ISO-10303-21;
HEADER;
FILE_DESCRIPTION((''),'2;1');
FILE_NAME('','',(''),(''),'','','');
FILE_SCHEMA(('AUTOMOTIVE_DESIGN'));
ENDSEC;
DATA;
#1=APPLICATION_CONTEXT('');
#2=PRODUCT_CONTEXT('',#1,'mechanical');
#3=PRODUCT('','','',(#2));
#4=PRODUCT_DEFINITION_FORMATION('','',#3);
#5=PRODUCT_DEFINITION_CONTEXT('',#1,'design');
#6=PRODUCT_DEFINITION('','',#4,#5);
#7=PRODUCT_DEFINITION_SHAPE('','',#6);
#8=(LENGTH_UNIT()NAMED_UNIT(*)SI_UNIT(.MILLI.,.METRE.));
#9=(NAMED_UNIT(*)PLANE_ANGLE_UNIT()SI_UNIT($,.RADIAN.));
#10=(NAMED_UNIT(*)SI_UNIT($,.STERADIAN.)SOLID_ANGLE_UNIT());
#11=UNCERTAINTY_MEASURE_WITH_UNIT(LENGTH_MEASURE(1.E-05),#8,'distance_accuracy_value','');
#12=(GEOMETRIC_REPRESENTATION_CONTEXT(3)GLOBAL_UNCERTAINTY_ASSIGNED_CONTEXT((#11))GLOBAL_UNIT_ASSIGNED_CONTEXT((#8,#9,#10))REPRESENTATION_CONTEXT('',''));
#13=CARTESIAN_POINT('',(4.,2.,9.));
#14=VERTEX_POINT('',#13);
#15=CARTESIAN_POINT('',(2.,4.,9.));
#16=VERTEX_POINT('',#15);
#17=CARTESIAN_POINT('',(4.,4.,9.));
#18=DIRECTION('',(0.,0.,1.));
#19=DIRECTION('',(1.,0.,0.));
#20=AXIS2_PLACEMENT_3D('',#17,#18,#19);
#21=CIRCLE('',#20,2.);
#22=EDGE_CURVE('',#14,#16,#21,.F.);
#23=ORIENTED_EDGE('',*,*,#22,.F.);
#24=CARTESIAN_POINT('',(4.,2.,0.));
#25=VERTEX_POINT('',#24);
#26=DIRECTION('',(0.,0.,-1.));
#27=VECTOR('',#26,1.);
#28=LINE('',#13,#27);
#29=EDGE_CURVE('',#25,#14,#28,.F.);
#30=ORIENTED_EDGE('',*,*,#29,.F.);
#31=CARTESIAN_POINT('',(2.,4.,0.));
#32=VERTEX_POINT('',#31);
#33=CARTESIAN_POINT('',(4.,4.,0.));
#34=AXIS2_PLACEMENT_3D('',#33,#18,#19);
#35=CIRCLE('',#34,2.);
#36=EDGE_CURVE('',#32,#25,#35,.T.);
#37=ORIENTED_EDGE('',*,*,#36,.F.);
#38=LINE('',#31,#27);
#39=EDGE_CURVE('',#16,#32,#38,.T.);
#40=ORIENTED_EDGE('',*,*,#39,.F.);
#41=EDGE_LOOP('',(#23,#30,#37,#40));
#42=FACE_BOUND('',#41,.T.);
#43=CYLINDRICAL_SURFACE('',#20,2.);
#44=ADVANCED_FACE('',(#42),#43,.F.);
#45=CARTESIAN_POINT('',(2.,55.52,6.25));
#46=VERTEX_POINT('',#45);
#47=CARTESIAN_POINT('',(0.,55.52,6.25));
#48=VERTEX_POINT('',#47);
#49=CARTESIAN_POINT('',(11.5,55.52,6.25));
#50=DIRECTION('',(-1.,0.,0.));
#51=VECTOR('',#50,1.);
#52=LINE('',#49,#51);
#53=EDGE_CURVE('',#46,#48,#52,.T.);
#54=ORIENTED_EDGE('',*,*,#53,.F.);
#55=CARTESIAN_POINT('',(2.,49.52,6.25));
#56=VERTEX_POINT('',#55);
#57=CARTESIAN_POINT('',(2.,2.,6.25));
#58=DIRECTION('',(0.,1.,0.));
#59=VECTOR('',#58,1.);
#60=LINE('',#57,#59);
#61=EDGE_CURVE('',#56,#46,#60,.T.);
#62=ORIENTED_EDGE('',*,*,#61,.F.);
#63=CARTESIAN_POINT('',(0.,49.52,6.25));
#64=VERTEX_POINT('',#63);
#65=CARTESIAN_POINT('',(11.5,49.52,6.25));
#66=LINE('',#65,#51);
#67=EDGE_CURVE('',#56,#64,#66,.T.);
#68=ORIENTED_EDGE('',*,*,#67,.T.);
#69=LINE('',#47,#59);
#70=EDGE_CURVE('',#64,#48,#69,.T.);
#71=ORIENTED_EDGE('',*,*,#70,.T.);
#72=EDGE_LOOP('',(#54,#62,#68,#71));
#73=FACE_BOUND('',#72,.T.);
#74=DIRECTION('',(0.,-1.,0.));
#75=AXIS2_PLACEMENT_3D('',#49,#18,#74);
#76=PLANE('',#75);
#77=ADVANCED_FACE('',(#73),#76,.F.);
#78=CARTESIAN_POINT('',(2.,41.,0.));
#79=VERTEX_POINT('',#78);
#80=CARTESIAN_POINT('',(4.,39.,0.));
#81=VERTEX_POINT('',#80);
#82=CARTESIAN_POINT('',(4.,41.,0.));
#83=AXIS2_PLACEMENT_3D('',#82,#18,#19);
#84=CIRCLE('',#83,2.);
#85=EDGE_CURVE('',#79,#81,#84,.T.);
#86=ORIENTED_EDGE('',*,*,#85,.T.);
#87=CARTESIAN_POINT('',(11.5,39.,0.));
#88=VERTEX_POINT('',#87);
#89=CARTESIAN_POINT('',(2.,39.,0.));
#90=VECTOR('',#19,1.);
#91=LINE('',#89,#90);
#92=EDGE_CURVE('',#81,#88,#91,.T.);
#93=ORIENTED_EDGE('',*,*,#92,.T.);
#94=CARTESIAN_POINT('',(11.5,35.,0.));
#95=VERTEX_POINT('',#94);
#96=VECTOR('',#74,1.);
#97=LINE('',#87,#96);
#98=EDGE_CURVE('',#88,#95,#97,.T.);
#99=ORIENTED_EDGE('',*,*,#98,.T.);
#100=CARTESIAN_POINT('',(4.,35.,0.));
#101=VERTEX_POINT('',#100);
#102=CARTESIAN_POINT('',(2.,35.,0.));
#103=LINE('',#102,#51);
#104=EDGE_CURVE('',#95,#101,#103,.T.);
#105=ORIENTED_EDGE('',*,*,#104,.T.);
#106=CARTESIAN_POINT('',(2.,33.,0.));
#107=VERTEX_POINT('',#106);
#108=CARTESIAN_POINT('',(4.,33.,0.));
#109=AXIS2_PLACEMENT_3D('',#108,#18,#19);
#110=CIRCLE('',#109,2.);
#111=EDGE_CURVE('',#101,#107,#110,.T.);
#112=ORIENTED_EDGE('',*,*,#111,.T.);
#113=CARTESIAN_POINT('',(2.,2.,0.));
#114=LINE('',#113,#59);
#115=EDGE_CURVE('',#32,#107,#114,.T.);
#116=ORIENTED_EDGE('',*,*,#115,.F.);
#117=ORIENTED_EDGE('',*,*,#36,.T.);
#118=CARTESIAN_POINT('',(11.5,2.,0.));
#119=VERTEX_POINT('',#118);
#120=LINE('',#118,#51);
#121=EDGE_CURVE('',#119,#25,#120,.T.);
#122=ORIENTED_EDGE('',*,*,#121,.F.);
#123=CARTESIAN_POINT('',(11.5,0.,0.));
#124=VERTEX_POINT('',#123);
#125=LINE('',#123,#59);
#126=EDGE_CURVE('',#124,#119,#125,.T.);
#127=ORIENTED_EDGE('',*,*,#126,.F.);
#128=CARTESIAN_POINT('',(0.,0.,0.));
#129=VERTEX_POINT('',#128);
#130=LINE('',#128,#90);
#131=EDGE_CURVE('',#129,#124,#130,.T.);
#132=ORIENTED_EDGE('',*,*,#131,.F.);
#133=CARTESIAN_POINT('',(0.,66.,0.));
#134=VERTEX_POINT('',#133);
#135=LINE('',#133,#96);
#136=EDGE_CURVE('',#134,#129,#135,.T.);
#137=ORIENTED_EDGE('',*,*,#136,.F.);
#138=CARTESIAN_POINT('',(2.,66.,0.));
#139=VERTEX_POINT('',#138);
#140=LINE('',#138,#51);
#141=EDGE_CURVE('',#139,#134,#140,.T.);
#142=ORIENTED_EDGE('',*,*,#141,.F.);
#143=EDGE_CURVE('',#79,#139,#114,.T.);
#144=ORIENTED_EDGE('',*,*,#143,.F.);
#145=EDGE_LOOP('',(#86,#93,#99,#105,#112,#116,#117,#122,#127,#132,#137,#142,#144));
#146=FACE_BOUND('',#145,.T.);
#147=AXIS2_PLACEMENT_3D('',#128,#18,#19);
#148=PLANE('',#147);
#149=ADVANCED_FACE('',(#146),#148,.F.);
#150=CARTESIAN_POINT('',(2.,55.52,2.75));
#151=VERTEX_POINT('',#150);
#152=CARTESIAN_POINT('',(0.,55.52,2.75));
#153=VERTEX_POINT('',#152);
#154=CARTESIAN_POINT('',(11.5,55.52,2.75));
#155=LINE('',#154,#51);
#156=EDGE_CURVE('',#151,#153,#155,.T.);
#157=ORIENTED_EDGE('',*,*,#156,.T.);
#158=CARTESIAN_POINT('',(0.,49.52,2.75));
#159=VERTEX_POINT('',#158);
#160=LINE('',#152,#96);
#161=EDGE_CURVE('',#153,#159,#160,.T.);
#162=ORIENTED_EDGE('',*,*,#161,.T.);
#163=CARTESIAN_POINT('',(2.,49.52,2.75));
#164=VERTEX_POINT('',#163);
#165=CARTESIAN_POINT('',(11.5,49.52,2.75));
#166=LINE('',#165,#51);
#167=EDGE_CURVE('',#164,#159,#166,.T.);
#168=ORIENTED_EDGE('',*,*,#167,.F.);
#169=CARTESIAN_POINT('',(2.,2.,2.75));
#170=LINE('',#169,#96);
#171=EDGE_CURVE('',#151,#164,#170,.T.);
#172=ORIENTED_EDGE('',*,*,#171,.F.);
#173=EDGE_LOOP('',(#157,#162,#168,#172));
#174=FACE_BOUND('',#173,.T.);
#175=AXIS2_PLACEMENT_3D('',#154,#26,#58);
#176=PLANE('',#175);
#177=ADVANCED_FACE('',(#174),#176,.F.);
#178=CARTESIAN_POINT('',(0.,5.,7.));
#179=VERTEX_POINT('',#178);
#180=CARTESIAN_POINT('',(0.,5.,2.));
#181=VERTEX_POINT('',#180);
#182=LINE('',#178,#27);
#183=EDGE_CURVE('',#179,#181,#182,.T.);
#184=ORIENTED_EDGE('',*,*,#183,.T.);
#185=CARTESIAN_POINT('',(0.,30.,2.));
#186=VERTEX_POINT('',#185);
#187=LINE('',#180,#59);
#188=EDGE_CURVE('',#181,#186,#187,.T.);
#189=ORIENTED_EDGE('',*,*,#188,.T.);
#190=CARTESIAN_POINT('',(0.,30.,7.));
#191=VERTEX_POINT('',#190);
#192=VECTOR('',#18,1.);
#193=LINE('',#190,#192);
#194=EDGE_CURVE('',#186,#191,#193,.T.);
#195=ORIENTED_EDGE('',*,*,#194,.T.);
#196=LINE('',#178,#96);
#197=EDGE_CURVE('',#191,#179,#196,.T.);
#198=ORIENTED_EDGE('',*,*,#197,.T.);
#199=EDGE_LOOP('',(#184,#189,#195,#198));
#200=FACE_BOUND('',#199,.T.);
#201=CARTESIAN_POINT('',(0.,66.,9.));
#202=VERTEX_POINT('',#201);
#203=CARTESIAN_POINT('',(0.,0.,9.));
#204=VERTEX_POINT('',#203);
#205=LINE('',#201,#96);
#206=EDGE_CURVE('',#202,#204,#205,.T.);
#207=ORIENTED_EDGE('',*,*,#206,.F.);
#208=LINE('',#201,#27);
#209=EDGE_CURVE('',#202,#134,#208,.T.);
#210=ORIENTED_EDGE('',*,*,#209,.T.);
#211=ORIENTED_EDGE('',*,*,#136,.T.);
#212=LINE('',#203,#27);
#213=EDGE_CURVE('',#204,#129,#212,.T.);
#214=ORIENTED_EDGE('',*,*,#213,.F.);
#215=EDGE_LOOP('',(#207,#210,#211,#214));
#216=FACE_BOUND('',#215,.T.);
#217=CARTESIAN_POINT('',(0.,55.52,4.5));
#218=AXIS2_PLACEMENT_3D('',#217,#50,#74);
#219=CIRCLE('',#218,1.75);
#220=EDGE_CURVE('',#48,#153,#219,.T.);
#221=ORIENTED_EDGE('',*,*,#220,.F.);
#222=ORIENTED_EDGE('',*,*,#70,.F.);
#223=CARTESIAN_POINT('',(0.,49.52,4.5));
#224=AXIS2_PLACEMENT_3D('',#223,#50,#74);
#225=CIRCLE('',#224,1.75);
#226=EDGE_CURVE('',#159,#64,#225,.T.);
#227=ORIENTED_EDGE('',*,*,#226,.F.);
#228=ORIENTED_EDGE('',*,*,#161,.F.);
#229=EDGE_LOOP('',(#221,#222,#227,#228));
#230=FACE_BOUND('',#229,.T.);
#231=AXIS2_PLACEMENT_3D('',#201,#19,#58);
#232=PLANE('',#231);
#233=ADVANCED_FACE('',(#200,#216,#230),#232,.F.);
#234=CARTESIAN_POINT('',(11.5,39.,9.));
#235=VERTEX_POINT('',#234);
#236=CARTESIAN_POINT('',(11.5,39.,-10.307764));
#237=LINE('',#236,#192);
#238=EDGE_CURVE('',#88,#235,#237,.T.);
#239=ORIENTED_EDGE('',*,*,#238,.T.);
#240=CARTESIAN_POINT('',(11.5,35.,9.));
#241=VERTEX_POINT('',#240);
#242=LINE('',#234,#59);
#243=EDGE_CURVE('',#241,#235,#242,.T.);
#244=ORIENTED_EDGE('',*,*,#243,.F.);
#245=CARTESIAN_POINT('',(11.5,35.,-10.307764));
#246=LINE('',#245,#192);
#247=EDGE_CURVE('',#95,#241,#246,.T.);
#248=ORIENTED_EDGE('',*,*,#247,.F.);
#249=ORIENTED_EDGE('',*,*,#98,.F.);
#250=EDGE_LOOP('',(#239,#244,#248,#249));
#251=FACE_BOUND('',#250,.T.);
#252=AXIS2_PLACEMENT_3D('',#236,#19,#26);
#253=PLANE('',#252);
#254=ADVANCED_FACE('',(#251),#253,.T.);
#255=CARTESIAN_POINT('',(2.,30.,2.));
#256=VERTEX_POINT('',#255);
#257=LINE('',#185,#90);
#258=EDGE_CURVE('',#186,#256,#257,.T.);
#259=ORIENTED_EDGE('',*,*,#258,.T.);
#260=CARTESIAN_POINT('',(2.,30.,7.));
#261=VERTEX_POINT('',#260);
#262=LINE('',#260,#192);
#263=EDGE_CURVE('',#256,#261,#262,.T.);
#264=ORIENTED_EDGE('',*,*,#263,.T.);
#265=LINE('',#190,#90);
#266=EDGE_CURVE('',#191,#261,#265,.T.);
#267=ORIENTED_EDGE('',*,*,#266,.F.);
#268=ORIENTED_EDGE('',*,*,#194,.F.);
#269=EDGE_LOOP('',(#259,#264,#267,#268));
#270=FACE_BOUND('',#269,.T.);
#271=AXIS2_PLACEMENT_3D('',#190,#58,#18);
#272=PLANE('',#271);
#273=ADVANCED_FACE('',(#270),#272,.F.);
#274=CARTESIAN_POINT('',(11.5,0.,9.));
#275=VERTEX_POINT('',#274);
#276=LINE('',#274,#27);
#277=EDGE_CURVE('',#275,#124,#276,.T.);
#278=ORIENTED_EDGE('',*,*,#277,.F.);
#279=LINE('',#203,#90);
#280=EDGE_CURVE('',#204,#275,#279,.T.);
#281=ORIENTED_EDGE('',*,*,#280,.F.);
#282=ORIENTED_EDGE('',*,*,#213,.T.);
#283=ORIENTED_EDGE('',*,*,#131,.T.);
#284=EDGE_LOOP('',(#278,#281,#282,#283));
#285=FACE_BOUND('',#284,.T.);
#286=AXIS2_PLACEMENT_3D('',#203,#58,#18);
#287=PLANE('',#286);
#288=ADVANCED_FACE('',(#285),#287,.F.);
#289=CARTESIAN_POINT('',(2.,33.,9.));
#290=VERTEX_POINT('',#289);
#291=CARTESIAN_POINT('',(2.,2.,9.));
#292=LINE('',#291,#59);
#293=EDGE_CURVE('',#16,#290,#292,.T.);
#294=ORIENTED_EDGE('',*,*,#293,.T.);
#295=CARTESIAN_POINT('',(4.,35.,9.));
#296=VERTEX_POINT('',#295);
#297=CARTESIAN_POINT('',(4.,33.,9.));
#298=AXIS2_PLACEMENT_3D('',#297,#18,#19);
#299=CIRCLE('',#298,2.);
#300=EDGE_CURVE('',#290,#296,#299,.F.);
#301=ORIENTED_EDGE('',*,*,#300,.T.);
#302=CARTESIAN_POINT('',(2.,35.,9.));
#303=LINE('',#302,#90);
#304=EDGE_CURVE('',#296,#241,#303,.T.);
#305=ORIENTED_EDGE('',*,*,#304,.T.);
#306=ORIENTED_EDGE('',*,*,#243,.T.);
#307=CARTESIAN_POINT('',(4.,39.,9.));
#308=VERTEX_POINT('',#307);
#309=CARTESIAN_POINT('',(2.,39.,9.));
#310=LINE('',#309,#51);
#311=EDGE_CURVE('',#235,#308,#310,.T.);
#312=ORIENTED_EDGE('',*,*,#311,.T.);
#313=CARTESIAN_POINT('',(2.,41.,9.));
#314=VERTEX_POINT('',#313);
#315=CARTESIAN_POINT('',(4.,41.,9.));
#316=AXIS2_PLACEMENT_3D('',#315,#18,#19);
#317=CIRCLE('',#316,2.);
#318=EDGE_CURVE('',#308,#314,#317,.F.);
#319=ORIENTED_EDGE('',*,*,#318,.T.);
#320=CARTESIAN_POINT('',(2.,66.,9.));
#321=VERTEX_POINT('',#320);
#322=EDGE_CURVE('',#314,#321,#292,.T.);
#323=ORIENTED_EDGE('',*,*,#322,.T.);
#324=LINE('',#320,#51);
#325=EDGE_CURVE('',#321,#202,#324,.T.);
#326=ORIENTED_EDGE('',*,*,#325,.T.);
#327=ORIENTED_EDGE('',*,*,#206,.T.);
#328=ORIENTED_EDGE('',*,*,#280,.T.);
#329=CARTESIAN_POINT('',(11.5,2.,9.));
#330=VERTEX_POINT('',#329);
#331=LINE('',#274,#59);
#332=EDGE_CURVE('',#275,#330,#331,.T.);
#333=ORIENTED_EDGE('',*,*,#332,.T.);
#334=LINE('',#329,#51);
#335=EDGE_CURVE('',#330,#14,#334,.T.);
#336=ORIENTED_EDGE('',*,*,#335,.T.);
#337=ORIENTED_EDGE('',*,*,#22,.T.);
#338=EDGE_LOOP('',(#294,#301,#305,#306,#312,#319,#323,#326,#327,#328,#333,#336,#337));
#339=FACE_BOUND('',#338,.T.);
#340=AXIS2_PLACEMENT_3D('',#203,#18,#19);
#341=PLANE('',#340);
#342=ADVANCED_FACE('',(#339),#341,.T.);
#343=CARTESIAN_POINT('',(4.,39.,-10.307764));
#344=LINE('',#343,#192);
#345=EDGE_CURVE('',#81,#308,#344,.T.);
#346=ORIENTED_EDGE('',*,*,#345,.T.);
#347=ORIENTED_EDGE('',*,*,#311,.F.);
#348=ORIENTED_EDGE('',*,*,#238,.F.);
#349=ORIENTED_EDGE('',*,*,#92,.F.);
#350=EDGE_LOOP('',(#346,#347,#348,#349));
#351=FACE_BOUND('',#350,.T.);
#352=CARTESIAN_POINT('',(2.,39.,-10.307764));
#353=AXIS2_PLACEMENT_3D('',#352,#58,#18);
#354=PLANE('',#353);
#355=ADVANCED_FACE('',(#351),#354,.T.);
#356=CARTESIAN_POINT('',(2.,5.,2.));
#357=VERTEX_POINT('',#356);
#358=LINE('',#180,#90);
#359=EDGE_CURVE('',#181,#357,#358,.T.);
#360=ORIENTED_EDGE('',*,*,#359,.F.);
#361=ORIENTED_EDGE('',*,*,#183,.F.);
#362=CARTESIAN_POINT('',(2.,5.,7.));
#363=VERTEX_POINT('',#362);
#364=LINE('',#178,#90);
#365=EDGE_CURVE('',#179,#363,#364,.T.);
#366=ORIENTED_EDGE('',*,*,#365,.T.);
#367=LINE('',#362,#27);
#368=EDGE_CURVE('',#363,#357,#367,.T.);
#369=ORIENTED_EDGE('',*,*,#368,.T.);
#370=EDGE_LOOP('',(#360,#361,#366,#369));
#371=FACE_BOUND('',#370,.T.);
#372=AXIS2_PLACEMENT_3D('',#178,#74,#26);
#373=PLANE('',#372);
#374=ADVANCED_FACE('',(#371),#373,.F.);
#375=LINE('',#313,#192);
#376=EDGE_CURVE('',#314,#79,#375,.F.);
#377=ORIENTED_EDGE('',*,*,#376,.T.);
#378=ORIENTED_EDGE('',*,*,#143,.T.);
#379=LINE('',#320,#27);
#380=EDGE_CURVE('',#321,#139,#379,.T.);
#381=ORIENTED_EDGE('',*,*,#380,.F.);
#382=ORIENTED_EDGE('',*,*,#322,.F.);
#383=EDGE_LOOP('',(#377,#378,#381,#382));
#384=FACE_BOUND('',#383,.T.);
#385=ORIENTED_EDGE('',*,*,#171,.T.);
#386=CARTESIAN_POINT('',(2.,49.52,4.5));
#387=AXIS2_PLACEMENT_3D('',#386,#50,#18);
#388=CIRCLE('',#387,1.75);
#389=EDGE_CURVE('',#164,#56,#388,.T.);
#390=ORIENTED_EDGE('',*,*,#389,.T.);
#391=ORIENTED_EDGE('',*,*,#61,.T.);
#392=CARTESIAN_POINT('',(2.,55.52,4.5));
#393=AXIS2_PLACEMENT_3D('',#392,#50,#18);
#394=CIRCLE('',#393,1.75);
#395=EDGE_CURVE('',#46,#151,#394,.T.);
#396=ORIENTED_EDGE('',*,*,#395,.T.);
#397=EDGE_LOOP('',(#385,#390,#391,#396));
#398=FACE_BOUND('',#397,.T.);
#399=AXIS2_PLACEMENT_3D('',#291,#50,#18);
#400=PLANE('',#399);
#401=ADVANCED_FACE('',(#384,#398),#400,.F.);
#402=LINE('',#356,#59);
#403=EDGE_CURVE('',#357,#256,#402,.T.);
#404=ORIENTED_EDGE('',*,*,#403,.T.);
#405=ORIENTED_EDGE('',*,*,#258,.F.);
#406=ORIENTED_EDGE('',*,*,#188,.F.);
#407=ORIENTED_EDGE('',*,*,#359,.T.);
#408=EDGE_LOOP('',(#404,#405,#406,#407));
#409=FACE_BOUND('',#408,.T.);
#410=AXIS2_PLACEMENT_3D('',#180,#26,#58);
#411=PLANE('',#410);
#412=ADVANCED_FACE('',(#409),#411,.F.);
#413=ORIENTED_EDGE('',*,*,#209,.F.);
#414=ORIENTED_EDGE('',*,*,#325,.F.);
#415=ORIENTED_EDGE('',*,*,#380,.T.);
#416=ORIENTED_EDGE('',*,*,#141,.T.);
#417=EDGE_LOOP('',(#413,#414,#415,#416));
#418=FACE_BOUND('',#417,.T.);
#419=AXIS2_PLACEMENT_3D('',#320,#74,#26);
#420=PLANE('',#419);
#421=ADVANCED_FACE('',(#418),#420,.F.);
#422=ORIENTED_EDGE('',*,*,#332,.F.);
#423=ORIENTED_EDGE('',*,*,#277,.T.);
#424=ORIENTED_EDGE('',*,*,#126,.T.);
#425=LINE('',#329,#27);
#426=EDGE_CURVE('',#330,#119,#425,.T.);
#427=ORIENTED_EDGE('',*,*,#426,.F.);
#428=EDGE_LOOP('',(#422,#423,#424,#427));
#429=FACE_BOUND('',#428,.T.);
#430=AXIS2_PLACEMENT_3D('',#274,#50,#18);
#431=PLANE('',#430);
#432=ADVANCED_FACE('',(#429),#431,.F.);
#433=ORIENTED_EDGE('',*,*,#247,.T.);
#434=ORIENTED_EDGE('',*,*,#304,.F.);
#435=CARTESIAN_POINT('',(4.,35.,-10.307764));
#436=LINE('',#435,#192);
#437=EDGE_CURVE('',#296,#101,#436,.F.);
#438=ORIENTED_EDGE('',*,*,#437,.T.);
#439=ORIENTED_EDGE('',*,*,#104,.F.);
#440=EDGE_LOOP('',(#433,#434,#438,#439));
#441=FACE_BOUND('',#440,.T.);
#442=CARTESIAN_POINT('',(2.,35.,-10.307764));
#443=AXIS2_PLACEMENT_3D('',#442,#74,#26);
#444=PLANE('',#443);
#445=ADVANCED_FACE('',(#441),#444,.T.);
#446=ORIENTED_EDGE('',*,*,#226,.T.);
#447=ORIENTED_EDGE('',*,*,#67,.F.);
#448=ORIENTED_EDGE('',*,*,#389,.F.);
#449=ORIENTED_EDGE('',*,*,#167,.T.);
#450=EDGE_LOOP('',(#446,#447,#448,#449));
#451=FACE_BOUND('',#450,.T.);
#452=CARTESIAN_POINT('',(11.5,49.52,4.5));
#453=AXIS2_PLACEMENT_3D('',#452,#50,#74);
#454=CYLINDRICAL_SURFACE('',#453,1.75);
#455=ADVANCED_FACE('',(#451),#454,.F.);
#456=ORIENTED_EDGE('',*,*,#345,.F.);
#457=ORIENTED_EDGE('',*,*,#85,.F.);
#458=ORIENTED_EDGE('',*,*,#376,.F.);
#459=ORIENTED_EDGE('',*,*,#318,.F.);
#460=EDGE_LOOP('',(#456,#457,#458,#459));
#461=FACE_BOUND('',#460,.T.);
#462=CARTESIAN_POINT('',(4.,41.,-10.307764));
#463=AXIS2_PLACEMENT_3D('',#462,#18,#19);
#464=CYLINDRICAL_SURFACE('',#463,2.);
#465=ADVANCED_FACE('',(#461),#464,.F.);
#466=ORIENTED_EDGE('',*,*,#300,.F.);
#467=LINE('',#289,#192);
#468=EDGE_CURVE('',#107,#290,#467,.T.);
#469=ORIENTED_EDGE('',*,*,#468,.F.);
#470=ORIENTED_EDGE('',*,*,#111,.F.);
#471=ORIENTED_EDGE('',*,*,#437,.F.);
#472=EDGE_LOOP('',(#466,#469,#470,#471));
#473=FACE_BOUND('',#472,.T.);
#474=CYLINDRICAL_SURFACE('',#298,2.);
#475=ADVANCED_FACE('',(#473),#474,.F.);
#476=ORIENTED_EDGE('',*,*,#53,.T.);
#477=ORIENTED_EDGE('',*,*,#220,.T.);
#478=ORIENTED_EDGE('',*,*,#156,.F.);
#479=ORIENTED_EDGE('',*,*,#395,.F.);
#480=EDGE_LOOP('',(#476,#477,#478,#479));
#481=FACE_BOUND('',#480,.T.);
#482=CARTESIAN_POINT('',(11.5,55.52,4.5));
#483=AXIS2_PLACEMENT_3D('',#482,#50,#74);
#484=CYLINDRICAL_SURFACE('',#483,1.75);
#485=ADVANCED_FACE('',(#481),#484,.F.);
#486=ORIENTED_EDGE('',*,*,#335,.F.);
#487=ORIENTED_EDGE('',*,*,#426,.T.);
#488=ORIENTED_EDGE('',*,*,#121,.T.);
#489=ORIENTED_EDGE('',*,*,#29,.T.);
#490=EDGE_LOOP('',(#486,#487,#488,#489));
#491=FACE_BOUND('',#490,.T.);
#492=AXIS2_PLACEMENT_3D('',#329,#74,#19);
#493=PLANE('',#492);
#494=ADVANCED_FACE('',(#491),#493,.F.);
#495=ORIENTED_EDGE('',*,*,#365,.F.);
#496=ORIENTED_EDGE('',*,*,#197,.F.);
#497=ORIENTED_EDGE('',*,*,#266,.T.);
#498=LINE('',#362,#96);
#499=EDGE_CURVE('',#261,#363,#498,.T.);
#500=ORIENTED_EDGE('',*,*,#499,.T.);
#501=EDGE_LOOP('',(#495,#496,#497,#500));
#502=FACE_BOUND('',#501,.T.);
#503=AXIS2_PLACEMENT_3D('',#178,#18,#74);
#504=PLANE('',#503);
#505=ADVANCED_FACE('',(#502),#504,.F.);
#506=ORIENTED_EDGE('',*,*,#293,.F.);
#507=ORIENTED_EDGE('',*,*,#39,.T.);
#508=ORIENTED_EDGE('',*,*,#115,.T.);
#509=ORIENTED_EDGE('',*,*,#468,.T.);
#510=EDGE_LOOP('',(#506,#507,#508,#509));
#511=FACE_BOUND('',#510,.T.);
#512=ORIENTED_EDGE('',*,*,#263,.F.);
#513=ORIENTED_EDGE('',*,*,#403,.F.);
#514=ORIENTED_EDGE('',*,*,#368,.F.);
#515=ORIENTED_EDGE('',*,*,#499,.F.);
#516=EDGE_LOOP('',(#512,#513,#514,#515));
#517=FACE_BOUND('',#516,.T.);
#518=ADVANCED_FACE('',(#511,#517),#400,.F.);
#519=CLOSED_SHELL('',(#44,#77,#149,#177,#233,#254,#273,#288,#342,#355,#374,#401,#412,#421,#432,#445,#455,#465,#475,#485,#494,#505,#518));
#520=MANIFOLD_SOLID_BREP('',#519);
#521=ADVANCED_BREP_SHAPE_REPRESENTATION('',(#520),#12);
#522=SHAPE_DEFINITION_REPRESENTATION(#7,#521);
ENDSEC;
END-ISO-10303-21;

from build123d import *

# Parameters (mm, degrees)
EXTRUDE_1_DEPTH     = 9
CUT_EXTRUDE_2_DEPTH = 68.596227705
SKETCH_6_W          = 5
SKETCH_6_H          = 25
CUT_EXTRUDE_3_DEPTH = 68.284842275
FILLET_1_R          = 2
SKETCH_7_W          = 9.5
SKETCH_7_H          = 4
EXTRUDE_2_DEPTH     = 9
FILLET_2_R          = 2


with BuildPart() as part:
    # Эскиз1 → Бобышка-Вытянуть1 (new body)
    with BuildSketch(Plane.XY):
        Polygon((0, 0), (11.5, 0), (11.5, 2), (2, 2), (2, 66), (0, 66), align=None)
    extrude(amount=EXTRUDE_1_DEPTH)

    # Эскиз4 → Вырез-Вытянуть2 (cut, through all)
    with BuildSketch(Plane.ZY):
        with BuildLine():
            Line((6.25, 55.52), (6.25, 49.52))
            ThreePointArc((6.25, 49.52), (4.5, 47.77), (2.75, 49.52))
            Line((2.75, 49.52), (2.75, 55.52))
            ThreePointArc((2.75, 55.52), (4.5, 57.27), (6.25, 55.52))
        make_face()
    extrude(amount=-CUT_EXTRUDE_2_DEPTH, mode=Mode.SUBTRACT)

    # Эскиз6 → Вырез-Вытянуть3 (cut, through all)
    with BuildSketch(Plane(origin=(2, 0, 0), x_dir=(0, 0, -1), z_dir=(1, 0, 0))):
        with Locations((-4.5, 17.5)):
            Rectangle(SKETCH_6_W, SKETCH_6_H)
    extrude(amount=-CUT_EXTRUDE_3_DEPTH, mode=Mode.SUBTRACT)

    # Скругление1
    fillet_1_edges = [part.edges().sort_by_distance(p)[0] for p in [
        (2, 2, 4.5),
    ]]
    fillet(fillet_1_edges, radius=FILLET_1_R)

    # Эскиз7 → Бобышка-Вытянуть2 (add)
    with BuildSketch(Plane.XY.offset(9)):
        with Locations((6.75, 37)):
            Rectangle(SKETCH_7_W, SKETCH_7_H)
    extrude(amount=-EXTRUDE_2_DEPTH)

    # Скругление2
    fillet_2_edges = [part.edges().sort_by_distance(p)[0] for p in [
        (2, 39, 4.5),
        (2, 35, 4.5),
    ]]
    fillet(fillet_2_edges, radius=FILLET_2_R)


solid = part.part
